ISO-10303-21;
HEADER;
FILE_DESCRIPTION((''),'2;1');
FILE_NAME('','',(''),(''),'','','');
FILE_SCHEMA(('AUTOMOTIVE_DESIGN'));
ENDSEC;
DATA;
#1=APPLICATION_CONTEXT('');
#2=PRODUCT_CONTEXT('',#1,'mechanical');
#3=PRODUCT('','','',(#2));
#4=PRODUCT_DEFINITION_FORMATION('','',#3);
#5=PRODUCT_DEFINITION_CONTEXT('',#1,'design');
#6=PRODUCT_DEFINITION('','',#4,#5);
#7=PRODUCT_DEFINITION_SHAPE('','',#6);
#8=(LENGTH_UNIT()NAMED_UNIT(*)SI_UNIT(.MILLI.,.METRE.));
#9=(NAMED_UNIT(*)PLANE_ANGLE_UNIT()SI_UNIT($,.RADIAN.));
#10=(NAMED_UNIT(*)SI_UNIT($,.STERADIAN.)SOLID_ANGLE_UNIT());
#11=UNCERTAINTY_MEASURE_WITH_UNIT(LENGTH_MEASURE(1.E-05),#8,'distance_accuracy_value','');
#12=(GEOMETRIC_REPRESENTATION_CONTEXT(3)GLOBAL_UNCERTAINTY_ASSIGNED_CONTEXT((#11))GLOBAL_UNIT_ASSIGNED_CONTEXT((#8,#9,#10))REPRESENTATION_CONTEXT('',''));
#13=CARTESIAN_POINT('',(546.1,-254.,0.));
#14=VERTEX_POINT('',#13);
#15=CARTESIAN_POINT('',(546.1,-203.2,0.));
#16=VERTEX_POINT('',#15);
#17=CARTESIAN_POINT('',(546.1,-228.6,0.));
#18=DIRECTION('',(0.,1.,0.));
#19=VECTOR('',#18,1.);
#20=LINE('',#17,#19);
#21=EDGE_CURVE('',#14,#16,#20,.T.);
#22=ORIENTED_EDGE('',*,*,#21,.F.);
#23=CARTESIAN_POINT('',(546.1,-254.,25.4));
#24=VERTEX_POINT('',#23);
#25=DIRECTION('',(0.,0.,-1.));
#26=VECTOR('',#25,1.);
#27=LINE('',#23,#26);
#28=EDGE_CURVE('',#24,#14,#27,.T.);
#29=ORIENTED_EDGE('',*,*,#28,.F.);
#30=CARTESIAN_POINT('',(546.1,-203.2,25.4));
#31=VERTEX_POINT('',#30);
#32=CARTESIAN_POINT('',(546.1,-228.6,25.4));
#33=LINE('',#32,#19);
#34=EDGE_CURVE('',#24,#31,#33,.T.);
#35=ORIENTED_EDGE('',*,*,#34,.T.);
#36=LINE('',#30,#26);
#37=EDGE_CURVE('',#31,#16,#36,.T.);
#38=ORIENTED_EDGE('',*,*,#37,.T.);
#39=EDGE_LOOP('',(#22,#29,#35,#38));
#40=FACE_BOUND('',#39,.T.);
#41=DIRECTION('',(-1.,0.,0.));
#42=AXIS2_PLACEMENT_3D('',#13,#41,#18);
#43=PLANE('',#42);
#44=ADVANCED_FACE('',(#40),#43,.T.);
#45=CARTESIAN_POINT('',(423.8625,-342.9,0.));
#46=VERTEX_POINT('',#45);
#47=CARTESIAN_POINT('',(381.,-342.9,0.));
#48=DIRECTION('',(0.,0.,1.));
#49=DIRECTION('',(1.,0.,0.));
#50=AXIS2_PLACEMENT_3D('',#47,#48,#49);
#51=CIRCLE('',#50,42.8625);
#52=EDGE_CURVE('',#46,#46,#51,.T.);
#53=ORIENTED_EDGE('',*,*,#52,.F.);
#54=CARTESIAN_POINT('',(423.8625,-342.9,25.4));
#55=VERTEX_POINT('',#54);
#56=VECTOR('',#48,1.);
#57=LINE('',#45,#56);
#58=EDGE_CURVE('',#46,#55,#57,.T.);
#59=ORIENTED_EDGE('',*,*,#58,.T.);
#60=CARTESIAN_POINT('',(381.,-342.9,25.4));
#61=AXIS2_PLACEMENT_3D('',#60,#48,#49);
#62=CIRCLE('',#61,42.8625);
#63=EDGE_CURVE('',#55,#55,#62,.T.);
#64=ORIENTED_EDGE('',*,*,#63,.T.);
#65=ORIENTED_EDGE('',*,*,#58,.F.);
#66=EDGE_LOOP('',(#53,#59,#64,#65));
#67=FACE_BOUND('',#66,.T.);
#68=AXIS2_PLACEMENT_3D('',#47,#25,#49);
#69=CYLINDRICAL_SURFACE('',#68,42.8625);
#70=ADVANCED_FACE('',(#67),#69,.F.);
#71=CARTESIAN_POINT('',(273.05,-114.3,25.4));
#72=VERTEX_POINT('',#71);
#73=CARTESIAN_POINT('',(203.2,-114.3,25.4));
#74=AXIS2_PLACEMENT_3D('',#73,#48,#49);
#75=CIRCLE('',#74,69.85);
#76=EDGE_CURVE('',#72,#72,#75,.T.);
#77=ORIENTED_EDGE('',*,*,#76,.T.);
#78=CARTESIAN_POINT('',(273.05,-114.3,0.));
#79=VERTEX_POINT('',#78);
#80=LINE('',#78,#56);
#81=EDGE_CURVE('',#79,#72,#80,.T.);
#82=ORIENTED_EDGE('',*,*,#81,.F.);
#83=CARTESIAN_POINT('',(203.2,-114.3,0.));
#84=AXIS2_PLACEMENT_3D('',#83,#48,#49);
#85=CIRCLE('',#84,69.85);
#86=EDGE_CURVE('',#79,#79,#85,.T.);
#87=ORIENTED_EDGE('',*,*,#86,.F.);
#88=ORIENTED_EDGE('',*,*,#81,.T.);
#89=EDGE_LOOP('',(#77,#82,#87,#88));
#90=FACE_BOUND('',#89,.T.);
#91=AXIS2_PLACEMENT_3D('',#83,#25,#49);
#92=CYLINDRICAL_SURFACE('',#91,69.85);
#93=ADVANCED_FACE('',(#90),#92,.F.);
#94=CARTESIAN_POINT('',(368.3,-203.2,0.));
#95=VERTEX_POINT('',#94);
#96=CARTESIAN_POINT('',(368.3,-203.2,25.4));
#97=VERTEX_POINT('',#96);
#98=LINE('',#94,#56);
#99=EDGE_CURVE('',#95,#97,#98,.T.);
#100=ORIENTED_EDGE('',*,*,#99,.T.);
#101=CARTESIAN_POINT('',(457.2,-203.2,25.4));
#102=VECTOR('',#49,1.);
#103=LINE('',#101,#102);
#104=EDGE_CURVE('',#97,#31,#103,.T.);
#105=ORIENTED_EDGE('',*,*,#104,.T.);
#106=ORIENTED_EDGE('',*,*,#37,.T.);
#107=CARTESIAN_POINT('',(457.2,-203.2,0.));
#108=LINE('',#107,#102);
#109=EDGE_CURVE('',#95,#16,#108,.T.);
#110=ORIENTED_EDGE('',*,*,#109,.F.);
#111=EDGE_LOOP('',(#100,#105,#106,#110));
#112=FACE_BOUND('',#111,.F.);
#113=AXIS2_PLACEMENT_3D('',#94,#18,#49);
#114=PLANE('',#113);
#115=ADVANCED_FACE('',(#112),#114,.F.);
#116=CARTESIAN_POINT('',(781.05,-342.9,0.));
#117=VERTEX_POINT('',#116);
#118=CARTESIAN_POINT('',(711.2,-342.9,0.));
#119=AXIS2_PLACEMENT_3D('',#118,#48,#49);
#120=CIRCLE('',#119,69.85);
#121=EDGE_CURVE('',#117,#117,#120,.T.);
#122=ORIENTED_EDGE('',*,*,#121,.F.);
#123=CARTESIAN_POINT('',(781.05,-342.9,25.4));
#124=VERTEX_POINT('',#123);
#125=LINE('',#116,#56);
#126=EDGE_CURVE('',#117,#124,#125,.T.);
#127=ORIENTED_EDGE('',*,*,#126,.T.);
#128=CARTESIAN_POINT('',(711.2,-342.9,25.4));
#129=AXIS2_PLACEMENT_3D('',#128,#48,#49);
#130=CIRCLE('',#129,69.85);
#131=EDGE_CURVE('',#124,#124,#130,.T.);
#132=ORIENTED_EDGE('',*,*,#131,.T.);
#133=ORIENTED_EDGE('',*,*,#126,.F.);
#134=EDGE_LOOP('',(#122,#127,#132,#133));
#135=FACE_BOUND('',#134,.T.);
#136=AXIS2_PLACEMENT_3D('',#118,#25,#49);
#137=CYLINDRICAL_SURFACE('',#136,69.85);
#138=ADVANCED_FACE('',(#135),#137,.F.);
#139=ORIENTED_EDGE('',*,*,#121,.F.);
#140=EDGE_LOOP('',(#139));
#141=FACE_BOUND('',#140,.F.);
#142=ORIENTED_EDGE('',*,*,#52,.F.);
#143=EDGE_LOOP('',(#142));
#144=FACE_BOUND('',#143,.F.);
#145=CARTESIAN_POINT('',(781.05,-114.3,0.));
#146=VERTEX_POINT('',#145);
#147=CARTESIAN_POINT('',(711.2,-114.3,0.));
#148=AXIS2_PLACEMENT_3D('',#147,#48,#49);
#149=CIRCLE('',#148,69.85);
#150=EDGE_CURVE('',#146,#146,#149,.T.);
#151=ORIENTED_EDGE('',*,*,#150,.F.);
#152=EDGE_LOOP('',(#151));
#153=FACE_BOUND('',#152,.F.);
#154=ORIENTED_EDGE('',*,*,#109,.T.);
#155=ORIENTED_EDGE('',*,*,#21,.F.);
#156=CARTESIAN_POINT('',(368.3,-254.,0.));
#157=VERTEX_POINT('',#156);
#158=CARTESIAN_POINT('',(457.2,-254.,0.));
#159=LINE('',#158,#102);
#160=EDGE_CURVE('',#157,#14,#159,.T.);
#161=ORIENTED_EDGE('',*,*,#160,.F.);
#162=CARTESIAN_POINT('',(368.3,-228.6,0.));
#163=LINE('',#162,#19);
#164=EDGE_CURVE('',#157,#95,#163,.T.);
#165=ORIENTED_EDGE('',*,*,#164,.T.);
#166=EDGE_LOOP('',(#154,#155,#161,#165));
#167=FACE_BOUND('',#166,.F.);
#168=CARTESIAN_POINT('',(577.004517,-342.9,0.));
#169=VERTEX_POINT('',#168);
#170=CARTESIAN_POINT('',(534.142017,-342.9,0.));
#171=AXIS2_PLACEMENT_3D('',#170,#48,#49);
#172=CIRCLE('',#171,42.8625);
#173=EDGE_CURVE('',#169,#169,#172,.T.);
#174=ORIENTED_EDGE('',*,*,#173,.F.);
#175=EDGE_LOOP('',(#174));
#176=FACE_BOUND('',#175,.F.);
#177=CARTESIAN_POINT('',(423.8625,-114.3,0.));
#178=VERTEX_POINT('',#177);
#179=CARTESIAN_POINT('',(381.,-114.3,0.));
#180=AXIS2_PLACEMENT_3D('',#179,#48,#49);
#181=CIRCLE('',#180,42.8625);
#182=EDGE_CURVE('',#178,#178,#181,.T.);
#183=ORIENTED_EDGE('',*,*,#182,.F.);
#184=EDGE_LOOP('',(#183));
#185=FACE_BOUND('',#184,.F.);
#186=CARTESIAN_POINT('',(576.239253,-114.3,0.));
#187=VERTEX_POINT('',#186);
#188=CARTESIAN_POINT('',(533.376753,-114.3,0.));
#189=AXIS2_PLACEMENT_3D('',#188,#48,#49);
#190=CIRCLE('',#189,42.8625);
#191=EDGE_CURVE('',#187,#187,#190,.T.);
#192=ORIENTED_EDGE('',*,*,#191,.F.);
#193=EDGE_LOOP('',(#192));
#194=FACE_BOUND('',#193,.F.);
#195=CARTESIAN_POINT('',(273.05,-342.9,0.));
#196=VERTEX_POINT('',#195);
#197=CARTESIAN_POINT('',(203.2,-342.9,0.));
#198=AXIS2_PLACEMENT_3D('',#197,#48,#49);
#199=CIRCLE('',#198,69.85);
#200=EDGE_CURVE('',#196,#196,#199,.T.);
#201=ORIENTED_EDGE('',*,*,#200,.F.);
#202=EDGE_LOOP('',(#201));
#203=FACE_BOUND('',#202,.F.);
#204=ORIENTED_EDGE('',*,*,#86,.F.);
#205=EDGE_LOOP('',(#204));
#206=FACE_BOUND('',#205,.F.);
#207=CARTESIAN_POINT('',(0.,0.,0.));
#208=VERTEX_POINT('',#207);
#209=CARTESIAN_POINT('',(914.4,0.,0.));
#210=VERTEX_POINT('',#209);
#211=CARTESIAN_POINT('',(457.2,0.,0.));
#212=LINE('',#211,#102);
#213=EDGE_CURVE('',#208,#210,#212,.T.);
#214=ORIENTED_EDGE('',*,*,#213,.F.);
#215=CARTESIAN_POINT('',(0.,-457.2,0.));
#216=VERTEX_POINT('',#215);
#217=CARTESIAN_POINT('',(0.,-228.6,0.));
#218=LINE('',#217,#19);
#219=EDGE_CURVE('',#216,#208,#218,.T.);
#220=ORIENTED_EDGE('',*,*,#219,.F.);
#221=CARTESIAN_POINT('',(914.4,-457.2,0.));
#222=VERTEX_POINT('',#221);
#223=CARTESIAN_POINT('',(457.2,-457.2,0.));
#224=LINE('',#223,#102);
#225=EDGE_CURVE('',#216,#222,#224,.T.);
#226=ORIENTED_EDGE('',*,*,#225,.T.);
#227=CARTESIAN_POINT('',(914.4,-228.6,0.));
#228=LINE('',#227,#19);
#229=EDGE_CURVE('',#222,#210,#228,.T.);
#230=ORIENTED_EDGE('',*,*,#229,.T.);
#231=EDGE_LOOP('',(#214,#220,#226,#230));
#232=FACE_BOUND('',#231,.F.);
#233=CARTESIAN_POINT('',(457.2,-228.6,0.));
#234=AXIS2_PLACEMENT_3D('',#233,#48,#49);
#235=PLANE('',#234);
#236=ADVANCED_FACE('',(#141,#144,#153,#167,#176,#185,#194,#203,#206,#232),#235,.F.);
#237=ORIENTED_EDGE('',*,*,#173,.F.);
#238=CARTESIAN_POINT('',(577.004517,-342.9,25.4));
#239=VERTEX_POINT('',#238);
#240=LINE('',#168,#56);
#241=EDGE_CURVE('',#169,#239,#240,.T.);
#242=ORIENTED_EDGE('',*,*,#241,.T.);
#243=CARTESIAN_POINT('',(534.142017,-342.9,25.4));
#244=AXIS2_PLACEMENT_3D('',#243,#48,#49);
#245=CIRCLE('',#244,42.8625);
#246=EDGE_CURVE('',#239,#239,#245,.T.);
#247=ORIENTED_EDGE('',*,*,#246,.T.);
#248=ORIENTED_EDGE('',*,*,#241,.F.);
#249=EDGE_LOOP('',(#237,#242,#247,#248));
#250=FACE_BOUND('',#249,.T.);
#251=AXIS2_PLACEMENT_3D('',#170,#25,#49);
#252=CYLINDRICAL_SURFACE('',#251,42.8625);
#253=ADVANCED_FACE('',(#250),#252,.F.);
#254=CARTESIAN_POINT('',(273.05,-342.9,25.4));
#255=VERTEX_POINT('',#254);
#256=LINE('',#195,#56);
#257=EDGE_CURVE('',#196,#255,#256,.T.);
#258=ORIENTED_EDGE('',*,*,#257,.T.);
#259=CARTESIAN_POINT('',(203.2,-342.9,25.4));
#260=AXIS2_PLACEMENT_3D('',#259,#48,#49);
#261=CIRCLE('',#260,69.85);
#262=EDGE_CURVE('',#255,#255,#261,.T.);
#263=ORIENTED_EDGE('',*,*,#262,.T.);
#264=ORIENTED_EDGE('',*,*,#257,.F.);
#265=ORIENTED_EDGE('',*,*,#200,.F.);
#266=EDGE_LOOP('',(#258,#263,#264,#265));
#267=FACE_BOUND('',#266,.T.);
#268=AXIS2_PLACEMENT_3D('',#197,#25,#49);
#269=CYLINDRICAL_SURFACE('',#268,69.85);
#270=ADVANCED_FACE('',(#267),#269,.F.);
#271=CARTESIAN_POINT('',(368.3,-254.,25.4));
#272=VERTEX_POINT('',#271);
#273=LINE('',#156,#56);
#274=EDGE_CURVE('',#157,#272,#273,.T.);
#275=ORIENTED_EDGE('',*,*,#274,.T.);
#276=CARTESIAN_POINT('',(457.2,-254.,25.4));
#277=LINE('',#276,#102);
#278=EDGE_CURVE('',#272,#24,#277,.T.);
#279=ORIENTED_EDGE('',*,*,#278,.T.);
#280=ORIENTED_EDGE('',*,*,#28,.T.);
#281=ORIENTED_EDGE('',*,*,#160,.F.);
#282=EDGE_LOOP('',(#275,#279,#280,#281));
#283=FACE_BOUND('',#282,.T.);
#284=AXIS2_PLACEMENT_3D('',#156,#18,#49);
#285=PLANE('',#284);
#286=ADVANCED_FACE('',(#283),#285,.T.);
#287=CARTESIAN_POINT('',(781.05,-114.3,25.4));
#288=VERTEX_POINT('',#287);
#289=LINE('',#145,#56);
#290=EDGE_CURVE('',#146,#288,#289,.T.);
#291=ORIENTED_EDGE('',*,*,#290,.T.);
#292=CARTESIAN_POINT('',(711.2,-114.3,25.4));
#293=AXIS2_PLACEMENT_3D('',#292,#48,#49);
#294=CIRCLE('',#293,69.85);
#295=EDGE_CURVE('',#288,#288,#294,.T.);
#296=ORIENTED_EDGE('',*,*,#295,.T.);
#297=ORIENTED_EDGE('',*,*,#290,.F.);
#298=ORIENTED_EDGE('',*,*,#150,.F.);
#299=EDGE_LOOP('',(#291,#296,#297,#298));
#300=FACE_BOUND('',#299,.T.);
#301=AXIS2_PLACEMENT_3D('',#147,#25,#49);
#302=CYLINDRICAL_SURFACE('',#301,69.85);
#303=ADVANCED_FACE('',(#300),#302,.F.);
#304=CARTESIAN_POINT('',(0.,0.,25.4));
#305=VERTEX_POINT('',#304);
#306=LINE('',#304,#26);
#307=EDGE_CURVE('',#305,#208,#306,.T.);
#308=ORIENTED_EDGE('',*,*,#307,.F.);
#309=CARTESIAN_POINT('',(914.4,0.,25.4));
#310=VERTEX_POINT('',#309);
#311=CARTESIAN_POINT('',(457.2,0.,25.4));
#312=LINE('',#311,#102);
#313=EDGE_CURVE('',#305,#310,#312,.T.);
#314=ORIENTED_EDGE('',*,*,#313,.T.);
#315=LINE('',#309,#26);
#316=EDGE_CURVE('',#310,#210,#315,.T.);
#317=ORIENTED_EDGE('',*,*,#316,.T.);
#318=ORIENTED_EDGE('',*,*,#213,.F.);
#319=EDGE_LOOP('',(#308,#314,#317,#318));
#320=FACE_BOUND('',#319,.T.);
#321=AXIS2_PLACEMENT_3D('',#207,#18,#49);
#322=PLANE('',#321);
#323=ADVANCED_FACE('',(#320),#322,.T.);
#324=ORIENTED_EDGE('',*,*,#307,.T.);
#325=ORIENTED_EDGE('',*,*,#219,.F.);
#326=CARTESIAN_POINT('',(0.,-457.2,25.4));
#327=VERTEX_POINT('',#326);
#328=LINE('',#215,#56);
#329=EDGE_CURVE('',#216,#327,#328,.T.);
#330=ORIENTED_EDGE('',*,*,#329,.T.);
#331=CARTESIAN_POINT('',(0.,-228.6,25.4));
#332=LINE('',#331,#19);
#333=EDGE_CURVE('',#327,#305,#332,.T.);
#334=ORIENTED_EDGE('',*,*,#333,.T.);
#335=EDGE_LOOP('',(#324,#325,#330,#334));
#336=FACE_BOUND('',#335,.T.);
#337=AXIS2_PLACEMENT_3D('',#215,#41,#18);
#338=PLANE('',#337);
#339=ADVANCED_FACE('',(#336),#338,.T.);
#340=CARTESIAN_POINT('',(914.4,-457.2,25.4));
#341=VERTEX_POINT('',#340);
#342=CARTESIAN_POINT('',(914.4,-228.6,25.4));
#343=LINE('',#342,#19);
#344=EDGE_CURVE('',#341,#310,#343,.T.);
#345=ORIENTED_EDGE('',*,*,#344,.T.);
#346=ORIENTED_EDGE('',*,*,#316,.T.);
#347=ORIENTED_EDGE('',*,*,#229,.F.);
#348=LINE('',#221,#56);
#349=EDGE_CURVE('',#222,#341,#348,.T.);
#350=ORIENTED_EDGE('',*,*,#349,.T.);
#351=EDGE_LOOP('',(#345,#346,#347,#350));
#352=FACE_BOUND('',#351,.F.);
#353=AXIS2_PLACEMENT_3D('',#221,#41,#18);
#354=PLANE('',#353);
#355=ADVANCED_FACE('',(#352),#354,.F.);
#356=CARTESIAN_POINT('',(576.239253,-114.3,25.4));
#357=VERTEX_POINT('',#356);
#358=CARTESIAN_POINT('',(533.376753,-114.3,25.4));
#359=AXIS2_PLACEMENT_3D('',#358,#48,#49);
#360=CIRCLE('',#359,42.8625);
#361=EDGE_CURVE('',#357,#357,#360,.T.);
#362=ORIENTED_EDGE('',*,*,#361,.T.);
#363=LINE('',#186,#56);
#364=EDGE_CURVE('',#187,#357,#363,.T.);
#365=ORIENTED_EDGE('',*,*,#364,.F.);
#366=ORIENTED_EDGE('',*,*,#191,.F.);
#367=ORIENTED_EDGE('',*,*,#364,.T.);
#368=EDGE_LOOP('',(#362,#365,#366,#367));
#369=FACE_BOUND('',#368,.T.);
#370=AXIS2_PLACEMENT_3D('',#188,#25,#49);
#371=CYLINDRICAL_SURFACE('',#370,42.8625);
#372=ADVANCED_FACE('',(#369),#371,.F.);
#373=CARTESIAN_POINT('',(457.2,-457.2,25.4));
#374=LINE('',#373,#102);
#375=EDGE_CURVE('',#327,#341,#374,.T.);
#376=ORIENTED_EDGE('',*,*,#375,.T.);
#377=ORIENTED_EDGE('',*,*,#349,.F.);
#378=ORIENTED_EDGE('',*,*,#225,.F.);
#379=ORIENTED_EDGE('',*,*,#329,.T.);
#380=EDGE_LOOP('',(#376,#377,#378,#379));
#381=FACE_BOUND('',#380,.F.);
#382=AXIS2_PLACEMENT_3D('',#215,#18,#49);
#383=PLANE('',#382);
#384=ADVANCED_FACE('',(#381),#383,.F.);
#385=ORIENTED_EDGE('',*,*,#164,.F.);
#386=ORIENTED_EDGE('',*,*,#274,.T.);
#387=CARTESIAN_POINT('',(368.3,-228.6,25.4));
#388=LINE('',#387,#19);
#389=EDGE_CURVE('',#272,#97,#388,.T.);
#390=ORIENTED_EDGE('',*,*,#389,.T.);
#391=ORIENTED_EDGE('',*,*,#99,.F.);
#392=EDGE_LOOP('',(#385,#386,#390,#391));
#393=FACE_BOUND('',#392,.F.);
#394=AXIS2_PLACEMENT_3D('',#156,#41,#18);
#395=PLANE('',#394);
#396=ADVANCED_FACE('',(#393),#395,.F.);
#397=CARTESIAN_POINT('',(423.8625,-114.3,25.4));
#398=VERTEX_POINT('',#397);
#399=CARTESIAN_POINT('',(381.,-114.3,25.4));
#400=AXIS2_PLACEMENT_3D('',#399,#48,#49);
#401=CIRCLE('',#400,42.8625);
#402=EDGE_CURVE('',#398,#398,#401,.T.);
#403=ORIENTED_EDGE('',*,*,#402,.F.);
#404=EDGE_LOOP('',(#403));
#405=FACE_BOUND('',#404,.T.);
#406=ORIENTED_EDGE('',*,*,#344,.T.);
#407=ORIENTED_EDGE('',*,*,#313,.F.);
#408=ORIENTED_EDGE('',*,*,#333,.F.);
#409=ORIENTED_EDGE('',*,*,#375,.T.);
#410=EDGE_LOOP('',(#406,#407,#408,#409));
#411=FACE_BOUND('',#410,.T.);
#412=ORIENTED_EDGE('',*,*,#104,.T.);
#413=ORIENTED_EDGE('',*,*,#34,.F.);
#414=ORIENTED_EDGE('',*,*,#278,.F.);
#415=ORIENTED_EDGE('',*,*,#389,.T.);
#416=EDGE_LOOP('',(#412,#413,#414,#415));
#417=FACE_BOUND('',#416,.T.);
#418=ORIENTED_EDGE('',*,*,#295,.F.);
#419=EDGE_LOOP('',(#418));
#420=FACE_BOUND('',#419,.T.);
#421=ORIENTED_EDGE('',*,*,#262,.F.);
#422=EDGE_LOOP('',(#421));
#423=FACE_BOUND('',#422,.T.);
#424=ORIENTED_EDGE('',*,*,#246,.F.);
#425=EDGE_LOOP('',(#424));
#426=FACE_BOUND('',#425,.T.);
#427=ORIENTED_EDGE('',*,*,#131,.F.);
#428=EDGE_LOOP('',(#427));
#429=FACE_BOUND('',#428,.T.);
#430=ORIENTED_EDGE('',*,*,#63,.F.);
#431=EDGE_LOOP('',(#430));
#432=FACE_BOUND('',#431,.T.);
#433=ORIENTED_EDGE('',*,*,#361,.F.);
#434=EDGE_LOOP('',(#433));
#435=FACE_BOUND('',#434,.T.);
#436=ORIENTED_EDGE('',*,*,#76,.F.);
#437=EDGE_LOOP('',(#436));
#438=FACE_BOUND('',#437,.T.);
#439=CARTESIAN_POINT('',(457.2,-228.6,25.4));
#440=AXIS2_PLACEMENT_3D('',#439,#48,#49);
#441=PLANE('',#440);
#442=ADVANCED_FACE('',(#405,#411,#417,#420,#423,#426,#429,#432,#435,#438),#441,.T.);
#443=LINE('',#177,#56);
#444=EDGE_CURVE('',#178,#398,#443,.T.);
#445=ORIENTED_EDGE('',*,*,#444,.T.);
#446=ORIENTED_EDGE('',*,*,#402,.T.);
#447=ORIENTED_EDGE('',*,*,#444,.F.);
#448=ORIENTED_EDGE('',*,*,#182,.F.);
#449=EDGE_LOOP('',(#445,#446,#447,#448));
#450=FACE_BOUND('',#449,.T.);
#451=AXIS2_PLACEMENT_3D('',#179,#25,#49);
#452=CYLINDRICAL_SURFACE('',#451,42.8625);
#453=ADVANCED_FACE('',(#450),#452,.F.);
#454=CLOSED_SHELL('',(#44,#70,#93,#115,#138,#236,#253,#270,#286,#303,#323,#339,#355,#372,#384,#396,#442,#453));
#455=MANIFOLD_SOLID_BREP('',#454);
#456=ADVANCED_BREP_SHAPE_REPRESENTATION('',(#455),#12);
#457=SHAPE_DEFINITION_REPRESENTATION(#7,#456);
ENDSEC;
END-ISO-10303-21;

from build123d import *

# Parameters (mm, degrees)
F0_W     = 914.4
F0_H     = 457.2
F0_R     = 69.85
F0_R_2   = 42.8625
F0_W_2   = 177.8
F0_H_2   = 50.8
F1_DEPTH = 19.05
F2_DEPTH = 25.4


with BuildPart() as f1:
    # F0 (on Top) → F1 (new body)
    with BuildSketch(Plane.XY):
        with Locations((457.2, -228.6)):
            Rectangle(F0_W, F0_H)
        with Locations((203.2, -342.9)):
            Circle(F0_R, mode=Mode.SUBTRACT)
        with Locations((381, -342.9)):
            Circle(F0_R_2, mode=Mode.SUBTRACT)
        with Locations((534.1420173645, -342.9)):
            Circle(F0_R_2, mode=Mode.SUBTRACT)
        with Locations((711.2, -342.9)):
            Circle(F0_R, mode=Mode.SUBTRACT)
        with Locations((203.2, -114.3)):
            Circle(F0_R, mode=Mode.SUBTRACT)
        with Locations((381, -114.3)):
            Circle(F0_R_2, mode=Mode.SUBTRACT)
        with Locations((457.2, -228.6)):
            Rectangle(F0_W_2, F0_H_2, mode=Mode.SUBTRACT)
        with Locations((533.3767533302, -114.3)):
            Circle(F0_R_2, mode=Mode.SUBTRACT)
        with Locations((711.2, -114.3)):
            Circle(F0_R, mode=Mode.SUBTRACT)
    extrude(amount=F1_DEPTH)

    # F2 (add): a face of the model
    f2_faces = [f1.faces().sort_by_distance(p)[0] for p in [
        (457.2, -10.2233027931, 0),
    ]]
    extrude(f2_faces, amount=-F2_DEPTH)


solid = f1.part
